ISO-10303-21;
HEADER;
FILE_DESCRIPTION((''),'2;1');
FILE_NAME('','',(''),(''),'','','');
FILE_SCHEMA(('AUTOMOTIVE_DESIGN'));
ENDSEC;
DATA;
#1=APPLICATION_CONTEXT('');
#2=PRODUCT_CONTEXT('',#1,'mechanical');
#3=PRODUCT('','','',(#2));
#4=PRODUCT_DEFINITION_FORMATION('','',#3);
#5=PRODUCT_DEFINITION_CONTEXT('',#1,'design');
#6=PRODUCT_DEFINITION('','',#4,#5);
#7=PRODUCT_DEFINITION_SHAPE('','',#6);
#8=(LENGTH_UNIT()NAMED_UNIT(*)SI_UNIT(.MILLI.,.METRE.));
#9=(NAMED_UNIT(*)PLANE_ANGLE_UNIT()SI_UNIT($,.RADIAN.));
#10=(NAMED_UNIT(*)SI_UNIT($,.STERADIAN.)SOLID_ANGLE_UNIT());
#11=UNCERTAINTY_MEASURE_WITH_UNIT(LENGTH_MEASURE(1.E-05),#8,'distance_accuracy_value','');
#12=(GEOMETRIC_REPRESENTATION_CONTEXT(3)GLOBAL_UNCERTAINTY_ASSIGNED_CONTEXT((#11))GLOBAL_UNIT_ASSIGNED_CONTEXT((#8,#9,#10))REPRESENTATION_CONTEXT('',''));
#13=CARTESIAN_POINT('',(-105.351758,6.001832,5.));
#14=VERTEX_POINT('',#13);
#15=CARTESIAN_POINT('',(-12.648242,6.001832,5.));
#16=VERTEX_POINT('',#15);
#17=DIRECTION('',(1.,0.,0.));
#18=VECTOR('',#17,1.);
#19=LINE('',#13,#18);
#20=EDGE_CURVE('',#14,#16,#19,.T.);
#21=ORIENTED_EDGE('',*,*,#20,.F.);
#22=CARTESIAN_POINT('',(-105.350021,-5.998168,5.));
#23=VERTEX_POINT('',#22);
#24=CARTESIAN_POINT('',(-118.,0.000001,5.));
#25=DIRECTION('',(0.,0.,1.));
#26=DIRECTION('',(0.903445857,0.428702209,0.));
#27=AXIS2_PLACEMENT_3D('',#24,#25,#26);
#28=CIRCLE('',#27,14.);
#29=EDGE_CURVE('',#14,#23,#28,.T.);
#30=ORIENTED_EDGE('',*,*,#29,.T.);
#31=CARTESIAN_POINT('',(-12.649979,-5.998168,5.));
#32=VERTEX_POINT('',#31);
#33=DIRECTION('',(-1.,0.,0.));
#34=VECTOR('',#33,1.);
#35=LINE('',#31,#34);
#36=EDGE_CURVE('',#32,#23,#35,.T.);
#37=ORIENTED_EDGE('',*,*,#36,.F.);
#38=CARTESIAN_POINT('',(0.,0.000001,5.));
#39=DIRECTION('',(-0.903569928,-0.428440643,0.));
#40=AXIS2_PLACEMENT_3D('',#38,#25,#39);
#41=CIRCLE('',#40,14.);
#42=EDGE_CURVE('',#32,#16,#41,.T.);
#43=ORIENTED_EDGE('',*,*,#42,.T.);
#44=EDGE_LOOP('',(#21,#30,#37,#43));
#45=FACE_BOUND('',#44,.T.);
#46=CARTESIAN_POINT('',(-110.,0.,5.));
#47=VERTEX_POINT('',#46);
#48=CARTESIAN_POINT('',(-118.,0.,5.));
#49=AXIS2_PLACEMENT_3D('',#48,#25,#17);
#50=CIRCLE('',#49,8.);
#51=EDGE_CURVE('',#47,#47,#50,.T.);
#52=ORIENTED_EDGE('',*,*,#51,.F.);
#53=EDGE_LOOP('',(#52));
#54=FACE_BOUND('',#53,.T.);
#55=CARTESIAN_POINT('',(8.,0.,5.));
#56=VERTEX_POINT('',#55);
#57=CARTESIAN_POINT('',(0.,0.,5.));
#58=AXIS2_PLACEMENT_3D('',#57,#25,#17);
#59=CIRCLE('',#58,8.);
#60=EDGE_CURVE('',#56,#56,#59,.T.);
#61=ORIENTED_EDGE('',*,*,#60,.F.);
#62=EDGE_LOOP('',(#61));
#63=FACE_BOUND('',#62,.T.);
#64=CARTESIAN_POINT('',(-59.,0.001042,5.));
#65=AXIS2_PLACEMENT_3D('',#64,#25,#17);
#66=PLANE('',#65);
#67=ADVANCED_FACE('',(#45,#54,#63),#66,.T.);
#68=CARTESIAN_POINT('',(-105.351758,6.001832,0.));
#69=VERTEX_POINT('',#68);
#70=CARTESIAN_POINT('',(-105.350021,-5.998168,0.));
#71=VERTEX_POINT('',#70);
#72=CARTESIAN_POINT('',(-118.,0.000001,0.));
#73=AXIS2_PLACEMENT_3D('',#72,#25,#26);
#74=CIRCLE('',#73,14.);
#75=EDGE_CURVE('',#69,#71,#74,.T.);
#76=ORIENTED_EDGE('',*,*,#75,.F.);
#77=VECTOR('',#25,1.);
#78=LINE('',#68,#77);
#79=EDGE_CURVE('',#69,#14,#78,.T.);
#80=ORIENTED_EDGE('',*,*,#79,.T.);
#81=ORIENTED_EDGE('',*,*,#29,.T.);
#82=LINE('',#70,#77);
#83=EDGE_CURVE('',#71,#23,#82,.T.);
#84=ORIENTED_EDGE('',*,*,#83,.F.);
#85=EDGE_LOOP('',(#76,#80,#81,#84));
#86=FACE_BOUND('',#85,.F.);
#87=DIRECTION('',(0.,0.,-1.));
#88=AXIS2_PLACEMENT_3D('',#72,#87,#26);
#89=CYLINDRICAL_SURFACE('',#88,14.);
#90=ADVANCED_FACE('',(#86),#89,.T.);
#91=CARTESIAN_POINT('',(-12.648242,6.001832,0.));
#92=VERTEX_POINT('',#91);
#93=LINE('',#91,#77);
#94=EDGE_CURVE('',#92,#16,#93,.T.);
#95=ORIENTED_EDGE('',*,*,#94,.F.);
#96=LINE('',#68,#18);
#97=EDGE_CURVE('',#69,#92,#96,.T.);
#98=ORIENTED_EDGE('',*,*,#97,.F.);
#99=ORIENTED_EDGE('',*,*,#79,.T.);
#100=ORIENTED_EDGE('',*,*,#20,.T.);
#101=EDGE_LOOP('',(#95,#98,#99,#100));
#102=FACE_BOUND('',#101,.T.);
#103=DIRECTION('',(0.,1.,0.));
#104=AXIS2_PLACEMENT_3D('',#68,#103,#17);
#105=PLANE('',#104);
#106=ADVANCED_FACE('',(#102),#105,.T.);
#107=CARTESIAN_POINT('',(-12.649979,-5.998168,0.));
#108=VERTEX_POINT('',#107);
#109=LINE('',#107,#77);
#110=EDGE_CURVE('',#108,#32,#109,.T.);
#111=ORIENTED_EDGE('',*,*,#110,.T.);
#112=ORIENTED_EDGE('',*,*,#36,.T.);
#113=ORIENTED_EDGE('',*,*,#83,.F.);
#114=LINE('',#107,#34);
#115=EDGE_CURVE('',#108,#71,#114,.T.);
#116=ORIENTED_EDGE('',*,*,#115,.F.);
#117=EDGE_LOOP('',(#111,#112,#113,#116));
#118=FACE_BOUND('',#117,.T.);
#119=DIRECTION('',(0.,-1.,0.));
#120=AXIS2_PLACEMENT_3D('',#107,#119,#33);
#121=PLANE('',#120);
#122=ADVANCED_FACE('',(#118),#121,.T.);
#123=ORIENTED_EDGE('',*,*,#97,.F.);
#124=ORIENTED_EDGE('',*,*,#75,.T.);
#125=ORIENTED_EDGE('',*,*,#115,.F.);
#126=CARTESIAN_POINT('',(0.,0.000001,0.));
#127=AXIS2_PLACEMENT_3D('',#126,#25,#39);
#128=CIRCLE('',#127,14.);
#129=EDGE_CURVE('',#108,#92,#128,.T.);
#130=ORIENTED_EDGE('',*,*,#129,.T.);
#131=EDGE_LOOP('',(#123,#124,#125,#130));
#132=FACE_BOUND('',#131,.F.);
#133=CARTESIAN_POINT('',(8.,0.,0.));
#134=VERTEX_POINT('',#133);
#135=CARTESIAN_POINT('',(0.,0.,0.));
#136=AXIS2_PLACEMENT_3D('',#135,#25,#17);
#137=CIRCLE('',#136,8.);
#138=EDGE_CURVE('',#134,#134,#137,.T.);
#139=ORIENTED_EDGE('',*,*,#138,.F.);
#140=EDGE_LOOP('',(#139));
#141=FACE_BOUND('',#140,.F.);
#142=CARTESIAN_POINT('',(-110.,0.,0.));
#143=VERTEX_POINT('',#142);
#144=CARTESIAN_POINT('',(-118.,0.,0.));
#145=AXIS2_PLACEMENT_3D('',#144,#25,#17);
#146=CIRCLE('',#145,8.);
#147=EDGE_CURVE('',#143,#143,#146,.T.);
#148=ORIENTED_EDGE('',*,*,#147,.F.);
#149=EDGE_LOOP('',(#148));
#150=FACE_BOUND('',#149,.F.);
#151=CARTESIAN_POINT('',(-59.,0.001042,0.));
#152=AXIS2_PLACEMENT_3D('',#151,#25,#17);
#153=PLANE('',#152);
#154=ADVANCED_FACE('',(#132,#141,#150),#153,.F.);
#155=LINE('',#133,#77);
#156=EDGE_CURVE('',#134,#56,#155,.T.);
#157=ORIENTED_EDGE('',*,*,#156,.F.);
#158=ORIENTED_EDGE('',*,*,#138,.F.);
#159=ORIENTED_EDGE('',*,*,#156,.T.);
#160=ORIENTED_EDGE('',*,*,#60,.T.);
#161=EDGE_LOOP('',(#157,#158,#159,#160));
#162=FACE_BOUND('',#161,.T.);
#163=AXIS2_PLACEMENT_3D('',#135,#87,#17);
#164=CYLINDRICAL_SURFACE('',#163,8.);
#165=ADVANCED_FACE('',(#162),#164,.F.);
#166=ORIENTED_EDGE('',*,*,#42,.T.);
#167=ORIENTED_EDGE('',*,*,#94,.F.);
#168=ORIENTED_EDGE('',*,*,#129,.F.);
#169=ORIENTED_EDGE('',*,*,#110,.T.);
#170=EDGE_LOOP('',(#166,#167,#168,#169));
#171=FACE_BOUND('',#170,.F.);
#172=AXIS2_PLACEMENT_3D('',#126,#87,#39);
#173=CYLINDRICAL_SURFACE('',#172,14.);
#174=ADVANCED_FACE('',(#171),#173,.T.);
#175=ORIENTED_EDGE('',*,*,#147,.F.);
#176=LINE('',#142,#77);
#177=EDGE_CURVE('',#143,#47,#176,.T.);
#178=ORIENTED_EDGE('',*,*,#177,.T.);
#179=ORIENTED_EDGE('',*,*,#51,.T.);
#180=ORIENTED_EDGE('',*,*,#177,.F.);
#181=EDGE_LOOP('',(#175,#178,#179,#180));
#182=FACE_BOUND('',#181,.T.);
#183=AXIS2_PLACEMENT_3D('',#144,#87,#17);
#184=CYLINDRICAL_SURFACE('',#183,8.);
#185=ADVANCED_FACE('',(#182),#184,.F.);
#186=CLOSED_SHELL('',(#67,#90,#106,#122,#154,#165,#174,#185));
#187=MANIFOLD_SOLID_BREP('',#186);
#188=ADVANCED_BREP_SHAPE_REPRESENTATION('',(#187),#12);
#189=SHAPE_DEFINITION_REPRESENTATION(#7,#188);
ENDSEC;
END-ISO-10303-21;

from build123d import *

# Parameters (mm, degrees)
SKETCH_R  = 8
PAD_DEPTH = 5


with BuildPart() as part:
    # Sketch → Pad (new body)
    with BuildSketch(Plane.XY):
        with BuildLine():
            ThreePointArc((-12.649979, -5.998168), (14, -0.002027), (-12.648242, 6.001832))
            Line((-105.351758, 6.001832), (-12.648242, 6.001832))
            ThreePointArc((-105.351758, 6.001832), (-132, -0.002027), (-105.350021, -5.998168))
            Line((-12.649979, -5.998168), (-105.350021, -5.998168))
        make_face()
        Circle(SKETCH_R, mode=Mode.SUBTRACT)
        with Locations((-118, 0)):
            Circle(SKETCH_R, mode=Mode.SUBTRACT)
    extrude(amount=PAD_DEPTH)


solid = part.part
